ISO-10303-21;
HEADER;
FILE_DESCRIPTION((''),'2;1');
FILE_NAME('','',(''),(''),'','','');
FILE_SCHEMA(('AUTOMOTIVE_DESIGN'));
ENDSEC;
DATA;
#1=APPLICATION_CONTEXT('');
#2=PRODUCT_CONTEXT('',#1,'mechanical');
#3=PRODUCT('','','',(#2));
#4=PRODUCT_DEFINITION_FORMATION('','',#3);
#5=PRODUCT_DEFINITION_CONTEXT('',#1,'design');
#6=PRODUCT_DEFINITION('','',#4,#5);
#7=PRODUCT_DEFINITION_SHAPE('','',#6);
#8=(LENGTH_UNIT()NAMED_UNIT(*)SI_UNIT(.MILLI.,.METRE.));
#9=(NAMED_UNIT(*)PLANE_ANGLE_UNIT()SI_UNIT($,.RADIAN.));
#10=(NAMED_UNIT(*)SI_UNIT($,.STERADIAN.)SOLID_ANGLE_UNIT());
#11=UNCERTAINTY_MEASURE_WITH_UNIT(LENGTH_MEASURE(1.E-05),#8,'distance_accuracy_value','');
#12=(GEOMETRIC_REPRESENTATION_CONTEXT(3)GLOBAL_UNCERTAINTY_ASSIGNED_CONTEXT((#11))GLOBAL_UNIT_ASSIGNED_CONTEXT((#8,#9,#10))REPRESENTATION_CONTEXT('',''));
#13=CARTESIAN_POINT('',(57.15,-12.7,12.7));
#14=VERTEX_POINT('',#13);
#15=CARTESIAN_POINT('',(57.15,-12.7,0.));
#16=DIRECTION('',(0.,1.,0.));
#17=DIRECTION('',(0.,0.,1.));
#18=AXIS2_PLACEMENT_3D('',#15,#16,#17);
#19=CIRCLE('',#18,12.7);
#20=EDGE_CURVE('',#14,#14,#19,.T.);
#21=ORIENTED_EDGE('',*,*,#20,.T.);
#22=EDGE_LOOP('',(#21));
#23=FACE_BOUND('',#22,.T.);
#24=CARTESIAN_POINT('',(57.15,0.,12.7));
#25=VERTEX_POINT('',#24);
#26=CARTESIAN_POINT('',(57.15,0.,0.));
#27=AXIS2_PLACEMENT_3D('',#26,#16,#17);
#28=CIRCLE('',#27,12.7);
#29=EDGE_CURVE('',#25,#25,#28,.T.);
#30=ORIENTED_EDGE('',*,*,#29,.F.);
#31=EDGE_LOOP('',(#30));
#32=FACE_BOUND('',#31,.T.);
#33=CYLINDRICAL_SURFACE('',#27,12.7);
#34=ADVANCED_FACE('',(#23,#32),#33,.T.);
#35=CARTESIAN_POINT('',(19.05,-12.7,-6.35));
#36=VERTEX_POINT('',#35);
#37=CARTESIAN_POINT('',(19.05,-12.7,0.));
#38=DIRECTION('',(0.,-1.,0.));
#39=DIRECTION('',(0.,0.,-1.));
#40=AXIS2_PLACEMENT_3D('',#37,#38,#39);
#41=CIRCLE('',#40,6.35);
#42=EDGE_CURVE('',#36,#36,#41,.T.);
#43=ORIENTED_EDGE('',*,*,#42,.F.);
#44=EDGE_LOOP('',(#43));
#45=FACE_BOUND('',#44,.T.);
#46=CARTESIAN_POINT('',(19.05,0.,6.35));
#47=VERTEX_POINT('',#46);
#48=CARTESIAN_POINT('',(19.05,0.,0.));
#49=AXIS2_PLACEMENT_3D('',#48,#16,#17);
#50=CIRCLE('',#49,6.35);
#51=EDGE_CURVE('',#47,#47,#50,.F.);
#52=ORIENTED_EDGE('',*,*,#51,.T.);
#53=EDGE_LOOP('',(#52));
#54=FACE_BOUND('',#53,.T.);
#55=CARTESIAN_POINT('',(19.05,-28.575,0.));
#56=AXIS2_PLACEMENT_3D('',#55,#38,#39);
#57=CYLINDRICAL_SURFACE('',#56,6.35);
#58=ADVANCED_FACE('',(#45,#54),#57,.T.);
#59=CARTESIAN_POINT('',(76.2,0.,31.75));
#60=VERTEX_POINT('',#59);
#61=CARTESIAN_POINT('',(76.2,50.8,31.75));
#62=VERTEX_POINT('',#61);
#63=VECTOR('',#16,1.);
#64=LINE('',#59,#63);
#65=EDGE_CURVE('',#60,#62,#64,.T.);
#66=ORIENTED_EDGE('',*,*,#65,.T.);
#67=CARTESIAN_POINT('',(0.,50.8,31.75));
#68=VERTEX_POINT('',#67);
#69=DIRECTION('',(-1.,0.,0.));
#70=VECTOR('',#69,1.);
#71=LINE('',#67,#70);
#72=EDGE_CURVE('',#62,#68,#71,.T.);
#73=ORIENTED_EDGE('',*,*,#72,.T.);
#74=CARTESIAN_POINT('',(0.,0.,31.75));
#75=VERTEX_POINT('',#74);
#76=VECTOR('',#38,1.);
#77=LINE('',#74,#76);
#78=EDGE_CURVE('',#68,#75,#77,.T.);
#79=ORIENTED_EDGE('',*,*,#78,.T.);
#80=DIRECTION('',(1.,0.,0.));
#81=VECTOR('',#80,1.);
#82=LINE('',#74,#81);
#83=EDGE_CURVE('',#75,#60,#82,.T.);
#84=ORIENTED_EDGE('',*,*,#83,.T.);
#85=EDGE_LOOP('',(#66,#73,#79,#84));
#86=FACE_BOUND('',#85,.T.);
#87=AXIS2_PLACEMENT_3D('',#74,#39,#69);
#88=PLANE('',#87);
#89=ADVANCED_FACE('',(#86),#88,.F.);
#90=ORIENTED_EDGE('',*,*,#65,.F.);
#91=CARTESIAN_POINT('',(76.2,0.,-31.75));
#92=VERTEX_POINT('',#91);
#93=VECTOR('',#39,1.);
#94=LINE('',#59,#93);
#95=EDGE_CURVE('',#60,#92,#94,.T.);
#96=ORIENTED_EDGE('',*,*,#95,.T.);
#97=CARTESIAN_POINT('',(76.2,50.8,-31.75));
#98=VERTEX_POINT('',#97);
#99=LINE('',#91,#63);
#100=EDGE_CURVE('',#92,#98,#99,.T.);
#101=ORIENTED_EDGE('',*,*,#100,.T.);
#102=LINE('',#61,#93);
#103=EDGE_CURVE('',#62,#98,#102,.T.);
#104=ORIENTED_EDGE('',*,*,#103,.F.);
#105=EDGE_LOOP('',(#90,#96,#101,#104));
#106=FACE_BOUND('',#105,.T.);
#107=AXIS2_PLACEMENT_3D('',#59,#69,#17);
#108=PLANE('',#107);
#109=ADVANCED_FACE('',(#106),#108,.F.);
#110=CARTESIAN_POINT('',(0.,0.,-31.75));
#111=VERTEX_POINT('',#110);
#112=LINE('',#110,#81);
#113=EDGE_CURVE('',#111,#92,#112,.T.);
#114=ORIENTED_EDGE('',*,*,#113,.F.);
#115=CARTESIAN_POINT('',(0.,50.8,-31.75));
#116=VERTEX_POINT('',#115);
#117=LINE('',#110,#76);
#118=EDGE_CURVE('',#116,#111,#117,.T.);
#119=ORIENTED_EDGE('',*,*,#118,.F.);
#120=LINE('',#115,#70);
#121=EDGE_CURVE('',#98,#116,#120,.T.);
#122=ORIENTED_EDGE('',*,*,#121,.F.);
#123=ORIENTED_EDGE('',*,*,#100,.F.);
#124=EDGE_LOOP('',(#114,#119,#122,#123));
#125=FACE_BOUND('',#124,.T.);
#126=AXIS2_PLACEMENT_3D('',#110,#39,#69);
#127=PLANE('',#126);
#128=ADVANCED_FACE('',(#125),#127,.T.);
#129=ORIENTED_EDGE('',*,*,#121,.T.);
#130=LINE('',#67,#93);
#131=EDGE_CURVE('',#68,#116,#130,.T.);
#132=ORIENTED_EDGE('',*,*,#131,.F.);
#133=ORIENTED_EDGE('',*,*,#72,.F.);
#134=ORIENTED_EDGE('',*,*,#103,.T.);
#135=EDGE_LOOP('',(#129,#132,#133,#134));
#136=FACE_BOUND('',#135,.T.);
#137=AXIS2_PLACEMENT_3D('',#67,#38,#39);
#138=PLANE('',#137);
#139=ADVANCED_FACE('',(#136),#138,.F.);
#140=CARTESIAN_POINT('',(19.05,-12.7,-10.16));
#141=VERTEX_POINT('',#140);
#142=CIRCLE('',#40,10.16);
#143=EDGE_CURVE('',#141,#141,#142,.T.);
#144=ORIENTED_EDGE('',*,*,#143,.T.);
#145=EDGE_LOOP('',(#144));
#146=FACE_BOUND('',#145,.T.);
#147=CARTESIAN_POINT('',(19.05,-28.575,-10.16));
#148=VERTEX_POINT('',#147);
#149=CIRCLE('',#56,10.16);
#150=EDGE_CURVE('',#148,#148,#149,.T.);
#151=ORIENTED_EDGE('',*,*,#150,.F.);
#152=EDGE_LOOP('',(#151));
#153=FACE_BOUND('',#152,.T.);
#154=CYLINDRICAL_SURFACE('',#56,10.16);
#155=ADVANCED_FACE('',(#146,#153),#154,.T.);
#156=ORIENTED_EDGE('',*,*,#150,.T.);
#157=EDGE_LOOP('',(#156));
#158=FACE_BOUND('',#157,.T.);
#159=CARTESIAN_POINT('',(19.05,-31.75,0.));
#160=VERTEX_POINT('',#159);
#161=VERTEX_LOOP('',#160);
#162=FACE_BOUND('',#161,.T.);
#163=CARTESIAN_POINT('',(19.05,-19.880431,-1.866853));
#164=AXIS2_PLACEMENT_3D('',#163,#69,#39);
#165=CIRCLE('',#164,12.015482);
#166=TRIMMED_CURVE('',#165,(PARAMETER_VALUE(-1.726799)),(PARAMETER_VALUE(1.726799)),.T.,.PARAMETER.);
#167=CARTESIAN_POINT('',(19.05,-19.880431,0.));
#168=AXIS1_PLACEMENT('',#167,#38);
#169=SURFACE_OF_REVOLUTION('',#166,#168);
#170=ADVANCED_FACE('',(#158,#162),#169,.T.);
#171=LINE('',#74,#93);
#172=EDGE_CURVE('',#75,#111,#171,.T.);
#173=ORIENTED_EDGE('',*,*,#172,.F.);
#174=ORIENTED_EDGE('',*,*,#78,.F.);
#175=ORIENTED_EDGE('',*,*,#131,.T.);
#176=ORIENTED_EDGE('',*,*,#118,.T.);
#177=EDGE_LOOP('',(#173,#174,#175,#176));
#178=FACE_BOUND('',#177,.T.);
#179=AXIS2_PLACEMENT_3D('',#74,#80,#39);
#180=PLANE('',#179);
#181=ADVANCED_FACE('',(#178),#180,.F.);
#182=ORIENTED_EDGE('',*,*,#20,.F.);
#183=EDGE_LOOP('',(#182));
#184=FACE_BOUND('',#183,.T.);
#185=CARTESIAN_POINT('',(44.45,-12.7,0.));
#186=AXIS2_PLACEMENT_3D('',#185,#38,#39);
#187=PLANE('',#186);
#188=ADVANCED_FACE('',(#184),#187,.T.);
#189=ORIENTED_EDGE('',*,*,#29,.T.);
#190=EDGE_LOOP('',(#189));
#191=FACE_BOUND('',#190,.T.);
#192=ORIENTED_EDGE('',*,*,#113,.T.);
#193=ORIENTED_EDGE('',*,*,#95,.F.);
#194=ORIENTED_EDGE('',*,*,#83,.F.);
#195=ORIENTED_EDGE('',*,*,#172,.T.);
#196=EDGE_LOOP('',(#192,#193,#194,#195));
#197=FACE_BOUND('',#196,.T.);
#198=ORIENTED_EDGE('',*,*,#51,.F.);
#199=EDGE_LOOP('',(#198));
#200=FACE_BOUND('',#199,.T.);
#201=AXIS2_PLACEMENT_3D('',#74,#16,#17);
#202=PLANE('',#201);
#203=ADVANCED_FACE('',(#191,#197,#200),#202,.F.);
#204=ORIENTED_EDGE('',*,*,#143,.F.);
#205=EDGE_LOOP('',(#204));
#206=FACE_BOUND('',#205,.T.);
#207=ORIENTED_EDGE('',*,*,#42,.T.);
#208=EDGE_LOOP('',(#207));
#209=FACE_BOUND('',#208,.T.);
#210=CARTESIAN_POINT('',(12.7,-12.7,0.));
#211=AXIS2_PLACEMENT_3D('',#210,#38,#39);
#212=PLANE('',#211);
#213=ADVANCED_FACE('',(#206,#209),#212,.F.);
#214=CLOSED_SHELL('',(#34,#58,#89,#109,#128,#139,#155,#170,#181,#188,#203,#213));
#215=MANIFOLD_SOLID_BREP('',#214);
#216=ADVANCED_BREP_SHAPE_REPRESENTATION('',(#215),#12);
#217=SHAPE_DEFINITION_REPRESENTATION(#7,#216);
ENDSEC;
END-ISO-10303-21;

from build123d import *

# Parameters (mm, degrees)
SKETCH1_W           = 76.2
SKETCH1_H           = 50.8
BOSS_EXTRUDE1_DEPTH = 31.75
SKETCH4_W           = 12.7
SKETCH4_H           = 12.7


with BuildPart() as part:
    # Sketch1 → Boss-Extrude1 (new body, symmetric)
    with BuildSketch(Plane.XY):
        with Locations((38.1, 25.4)):
            Rectangle(SKETCH1_W, SKETCH1_H)
    extrude(amount=BOSS_EXTRUDE1_DEPTH, both=True)

    # Sketch3 → Revolve1 (revolve)
    with BuildSketch(Plane.XY):
        with BuildLine():
            Line((12.7, 0), (12.7, -12.7))
            Line((12.7, -12.7), (8.89, -12.7))
            Line((8.89, -12.7), (8.89, -28.575))
            ThreePointArc((8.89, -28.575), (13.599228719, -31.3489681), (19.05, -31.75))
            Line((19.05, -31.75), (19.05, -28.575))
            Line((19.05, -28.575), (19.05, 0))
            Line((19.05, 0), (12.7, 0))
        make_face()
    revolve(axis=Axis((19.05, -28.575, 0), (0, 1, 0)))

    # Sketch4 → Revolve2 (revolve)
    with BuildSketch(Plane.XY):
        with Locations((50.8, -6.35)):
            Rectangle(SKETCH4_W, SKETCH4_H)
    revolve(axis=Axis((57.15, 0, 0), (0, -1, 0)))


solid = part.part
